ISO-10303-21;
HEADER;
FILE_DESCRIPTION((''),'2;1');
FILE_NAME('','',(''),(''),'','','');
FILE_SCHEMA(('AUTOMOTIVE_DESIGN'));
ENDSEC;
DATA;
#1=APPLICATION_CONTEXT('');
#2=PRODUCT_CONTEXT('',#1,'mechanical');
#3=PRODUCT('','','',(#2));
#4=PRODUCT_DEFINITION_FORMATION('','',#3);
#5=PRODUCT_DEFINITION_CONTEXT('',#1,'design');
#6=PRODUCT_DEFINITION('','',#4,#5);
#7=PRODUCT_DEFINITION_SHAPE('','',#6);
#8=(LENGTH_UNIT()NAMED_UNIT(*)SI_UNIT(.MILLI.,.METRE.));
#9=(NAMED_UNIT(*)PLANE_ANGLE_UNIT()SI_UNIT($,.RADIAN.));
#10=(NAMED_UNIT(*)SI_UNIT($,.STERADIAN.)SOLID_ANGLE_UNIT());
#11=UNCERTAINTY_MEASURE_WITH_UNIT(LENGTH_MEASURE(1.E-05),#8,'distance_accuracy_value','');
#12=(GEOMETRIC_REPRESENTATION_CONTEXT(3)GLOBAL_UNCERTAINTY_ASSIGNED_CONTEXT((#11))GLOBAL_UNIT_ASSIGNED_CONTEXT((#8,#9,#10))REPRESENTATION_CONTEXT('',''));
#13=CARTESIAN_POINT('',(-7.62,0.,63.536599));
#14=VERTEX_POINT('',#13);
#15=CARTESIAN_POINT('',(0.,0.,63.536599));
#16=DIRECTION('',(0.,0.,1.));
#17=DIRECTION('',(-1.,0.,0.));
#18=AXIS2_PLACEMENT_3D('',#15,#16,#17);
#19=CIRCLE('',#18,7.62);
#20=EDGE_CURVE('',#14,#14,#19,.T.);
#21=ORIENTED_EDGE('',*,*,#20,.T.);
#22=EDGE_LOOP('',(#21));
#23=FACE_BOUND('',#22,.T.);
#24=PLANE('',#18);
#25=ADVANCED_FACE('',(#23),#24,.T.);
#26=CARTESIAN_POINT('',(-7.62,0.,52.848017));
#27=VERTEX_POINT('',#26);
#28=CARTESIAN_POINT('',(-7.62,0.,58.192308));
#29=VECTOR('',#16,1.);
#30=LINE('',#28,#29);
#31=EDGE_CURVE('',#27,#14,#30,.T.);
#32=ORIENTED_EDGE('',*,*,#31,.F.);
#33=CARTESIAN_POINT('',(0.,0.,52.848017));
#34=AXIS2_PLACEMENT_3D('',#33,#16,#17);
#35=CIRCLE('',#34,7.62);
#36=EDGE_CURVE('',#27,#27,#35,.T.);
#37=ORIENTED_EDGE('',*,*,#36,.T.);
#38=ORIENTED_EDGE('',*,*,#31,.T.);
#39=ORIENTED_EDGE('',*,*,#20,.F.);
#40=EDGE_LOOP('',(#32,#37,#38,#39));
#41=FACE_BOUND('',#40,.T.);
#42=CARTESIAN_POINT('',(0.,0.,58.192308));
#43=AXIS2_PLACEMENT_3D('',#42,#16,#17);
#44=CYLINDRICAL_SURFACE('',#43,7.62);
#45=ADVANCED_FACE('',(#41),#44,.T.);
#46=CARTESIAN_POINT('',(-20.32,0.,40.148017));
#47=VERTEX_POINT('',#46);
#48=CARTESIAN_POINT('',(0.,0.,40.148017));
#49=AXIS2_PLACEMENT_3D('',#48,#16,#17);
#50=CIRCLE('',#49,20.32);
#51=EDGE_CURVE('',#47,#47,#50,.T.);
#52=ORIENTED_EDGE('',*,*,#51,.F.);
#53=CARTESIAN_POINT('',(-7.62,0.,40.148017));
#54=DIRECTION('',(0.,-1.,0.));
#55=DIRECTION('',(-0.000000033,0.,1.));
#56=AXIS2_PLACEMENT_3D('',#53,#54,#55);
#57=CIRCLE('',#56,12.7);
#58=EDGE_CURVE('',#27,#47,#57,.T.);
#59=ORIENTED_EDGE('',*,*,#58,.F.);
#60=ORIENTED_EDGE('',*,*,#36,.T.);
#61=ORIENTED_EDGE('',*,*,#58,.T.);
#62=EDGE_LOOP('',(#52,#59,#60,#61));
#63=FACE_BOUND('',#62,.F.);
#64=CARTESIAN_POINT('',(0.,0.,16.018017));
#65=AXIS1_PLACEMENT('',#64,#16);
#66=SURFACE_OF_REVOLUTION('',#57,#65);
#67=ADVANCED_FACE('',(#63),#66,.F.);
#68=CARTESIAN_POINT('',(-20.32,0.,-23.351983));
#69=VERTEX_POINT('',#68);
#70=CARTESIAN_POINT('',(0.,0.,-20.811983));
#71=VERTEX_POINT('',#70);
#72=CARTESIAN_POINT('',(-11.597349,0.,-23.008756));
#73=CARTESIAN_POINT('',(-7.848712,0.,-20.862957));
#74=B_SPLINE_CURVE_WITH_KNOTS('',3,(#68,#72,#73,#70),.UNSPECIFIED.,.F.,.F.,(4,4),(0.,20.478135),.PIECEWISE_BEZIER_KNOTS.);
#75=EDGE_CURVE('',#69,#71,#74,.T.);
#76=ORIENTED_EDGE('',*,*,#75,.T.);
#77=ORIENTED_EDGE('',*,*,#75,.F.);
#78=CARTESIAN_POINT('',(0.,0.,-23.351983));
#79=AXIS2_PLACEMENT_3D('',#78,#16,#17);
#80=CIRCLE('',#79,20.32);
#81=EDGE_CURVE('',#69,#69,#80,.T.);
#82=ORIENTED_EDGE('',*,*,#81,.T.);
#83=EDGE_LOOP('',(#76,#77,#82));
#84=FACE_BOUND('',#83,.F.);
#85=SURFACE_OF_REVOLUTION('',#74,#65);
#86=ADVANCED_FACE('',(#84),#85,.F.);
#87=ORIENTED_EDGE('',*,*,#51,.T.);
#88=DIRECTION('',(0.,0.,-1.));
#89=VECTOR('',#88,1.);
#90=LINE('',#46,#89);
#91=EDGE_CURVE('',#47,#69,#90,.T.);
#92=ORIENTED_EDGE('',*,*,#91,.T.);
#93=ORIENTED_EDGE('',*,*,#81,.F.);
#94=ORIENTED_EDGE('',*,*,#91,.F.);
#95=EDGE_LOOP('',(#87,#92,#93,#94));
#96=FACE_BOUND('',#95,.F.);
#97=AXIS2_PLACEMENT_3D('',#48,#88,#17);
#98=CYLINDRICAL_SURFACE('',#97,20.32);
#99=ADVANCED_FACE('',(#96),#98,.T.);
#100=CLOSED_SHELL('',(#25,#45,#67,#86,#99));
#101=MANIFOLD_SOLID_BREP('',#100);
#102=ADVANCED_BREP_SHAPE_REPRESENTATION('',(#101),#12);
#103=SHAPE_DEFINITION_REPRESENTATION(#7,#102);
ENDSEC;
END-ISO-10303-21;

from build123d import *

# Parameters (mm, degrees)
F0_W = 7.62
F0_H = 10.688582


with BuildPart() as f1:
    # F0 (on Front) → F1 (revolve)
    with BuildSketch(Plane.XZ):
        with BuildLine():
            add(Edge.make_bspline(
                [(-20.32, -23.351983), (-11.597349, -23.008756), (-7.848712, -20.862957), (0, -20.811983)],
                knots=[0, 0, 0, 0, 20.478135, 20.478135, 20.478135, 20.478135], degree=3))
            Line((0, -20.811983), (0, 52.848017))
            Line((0, 52.848017), (-7.62, 52.848017))
            ThreePointArc((-7.62, 52.848017), (-16.600256, 49.128273), (-20.32, 40.148017))
            Line((-20.32, 40.148017), (-20.32, -23.351983))
        make_face()
        with Locations((-3.81, 58.192308)):
            Rectangle(F0_W, F0_H)
    revolve(axis=Axis((0, 0, 16.018017), (0, 0, 1)))


solid = f1.part
